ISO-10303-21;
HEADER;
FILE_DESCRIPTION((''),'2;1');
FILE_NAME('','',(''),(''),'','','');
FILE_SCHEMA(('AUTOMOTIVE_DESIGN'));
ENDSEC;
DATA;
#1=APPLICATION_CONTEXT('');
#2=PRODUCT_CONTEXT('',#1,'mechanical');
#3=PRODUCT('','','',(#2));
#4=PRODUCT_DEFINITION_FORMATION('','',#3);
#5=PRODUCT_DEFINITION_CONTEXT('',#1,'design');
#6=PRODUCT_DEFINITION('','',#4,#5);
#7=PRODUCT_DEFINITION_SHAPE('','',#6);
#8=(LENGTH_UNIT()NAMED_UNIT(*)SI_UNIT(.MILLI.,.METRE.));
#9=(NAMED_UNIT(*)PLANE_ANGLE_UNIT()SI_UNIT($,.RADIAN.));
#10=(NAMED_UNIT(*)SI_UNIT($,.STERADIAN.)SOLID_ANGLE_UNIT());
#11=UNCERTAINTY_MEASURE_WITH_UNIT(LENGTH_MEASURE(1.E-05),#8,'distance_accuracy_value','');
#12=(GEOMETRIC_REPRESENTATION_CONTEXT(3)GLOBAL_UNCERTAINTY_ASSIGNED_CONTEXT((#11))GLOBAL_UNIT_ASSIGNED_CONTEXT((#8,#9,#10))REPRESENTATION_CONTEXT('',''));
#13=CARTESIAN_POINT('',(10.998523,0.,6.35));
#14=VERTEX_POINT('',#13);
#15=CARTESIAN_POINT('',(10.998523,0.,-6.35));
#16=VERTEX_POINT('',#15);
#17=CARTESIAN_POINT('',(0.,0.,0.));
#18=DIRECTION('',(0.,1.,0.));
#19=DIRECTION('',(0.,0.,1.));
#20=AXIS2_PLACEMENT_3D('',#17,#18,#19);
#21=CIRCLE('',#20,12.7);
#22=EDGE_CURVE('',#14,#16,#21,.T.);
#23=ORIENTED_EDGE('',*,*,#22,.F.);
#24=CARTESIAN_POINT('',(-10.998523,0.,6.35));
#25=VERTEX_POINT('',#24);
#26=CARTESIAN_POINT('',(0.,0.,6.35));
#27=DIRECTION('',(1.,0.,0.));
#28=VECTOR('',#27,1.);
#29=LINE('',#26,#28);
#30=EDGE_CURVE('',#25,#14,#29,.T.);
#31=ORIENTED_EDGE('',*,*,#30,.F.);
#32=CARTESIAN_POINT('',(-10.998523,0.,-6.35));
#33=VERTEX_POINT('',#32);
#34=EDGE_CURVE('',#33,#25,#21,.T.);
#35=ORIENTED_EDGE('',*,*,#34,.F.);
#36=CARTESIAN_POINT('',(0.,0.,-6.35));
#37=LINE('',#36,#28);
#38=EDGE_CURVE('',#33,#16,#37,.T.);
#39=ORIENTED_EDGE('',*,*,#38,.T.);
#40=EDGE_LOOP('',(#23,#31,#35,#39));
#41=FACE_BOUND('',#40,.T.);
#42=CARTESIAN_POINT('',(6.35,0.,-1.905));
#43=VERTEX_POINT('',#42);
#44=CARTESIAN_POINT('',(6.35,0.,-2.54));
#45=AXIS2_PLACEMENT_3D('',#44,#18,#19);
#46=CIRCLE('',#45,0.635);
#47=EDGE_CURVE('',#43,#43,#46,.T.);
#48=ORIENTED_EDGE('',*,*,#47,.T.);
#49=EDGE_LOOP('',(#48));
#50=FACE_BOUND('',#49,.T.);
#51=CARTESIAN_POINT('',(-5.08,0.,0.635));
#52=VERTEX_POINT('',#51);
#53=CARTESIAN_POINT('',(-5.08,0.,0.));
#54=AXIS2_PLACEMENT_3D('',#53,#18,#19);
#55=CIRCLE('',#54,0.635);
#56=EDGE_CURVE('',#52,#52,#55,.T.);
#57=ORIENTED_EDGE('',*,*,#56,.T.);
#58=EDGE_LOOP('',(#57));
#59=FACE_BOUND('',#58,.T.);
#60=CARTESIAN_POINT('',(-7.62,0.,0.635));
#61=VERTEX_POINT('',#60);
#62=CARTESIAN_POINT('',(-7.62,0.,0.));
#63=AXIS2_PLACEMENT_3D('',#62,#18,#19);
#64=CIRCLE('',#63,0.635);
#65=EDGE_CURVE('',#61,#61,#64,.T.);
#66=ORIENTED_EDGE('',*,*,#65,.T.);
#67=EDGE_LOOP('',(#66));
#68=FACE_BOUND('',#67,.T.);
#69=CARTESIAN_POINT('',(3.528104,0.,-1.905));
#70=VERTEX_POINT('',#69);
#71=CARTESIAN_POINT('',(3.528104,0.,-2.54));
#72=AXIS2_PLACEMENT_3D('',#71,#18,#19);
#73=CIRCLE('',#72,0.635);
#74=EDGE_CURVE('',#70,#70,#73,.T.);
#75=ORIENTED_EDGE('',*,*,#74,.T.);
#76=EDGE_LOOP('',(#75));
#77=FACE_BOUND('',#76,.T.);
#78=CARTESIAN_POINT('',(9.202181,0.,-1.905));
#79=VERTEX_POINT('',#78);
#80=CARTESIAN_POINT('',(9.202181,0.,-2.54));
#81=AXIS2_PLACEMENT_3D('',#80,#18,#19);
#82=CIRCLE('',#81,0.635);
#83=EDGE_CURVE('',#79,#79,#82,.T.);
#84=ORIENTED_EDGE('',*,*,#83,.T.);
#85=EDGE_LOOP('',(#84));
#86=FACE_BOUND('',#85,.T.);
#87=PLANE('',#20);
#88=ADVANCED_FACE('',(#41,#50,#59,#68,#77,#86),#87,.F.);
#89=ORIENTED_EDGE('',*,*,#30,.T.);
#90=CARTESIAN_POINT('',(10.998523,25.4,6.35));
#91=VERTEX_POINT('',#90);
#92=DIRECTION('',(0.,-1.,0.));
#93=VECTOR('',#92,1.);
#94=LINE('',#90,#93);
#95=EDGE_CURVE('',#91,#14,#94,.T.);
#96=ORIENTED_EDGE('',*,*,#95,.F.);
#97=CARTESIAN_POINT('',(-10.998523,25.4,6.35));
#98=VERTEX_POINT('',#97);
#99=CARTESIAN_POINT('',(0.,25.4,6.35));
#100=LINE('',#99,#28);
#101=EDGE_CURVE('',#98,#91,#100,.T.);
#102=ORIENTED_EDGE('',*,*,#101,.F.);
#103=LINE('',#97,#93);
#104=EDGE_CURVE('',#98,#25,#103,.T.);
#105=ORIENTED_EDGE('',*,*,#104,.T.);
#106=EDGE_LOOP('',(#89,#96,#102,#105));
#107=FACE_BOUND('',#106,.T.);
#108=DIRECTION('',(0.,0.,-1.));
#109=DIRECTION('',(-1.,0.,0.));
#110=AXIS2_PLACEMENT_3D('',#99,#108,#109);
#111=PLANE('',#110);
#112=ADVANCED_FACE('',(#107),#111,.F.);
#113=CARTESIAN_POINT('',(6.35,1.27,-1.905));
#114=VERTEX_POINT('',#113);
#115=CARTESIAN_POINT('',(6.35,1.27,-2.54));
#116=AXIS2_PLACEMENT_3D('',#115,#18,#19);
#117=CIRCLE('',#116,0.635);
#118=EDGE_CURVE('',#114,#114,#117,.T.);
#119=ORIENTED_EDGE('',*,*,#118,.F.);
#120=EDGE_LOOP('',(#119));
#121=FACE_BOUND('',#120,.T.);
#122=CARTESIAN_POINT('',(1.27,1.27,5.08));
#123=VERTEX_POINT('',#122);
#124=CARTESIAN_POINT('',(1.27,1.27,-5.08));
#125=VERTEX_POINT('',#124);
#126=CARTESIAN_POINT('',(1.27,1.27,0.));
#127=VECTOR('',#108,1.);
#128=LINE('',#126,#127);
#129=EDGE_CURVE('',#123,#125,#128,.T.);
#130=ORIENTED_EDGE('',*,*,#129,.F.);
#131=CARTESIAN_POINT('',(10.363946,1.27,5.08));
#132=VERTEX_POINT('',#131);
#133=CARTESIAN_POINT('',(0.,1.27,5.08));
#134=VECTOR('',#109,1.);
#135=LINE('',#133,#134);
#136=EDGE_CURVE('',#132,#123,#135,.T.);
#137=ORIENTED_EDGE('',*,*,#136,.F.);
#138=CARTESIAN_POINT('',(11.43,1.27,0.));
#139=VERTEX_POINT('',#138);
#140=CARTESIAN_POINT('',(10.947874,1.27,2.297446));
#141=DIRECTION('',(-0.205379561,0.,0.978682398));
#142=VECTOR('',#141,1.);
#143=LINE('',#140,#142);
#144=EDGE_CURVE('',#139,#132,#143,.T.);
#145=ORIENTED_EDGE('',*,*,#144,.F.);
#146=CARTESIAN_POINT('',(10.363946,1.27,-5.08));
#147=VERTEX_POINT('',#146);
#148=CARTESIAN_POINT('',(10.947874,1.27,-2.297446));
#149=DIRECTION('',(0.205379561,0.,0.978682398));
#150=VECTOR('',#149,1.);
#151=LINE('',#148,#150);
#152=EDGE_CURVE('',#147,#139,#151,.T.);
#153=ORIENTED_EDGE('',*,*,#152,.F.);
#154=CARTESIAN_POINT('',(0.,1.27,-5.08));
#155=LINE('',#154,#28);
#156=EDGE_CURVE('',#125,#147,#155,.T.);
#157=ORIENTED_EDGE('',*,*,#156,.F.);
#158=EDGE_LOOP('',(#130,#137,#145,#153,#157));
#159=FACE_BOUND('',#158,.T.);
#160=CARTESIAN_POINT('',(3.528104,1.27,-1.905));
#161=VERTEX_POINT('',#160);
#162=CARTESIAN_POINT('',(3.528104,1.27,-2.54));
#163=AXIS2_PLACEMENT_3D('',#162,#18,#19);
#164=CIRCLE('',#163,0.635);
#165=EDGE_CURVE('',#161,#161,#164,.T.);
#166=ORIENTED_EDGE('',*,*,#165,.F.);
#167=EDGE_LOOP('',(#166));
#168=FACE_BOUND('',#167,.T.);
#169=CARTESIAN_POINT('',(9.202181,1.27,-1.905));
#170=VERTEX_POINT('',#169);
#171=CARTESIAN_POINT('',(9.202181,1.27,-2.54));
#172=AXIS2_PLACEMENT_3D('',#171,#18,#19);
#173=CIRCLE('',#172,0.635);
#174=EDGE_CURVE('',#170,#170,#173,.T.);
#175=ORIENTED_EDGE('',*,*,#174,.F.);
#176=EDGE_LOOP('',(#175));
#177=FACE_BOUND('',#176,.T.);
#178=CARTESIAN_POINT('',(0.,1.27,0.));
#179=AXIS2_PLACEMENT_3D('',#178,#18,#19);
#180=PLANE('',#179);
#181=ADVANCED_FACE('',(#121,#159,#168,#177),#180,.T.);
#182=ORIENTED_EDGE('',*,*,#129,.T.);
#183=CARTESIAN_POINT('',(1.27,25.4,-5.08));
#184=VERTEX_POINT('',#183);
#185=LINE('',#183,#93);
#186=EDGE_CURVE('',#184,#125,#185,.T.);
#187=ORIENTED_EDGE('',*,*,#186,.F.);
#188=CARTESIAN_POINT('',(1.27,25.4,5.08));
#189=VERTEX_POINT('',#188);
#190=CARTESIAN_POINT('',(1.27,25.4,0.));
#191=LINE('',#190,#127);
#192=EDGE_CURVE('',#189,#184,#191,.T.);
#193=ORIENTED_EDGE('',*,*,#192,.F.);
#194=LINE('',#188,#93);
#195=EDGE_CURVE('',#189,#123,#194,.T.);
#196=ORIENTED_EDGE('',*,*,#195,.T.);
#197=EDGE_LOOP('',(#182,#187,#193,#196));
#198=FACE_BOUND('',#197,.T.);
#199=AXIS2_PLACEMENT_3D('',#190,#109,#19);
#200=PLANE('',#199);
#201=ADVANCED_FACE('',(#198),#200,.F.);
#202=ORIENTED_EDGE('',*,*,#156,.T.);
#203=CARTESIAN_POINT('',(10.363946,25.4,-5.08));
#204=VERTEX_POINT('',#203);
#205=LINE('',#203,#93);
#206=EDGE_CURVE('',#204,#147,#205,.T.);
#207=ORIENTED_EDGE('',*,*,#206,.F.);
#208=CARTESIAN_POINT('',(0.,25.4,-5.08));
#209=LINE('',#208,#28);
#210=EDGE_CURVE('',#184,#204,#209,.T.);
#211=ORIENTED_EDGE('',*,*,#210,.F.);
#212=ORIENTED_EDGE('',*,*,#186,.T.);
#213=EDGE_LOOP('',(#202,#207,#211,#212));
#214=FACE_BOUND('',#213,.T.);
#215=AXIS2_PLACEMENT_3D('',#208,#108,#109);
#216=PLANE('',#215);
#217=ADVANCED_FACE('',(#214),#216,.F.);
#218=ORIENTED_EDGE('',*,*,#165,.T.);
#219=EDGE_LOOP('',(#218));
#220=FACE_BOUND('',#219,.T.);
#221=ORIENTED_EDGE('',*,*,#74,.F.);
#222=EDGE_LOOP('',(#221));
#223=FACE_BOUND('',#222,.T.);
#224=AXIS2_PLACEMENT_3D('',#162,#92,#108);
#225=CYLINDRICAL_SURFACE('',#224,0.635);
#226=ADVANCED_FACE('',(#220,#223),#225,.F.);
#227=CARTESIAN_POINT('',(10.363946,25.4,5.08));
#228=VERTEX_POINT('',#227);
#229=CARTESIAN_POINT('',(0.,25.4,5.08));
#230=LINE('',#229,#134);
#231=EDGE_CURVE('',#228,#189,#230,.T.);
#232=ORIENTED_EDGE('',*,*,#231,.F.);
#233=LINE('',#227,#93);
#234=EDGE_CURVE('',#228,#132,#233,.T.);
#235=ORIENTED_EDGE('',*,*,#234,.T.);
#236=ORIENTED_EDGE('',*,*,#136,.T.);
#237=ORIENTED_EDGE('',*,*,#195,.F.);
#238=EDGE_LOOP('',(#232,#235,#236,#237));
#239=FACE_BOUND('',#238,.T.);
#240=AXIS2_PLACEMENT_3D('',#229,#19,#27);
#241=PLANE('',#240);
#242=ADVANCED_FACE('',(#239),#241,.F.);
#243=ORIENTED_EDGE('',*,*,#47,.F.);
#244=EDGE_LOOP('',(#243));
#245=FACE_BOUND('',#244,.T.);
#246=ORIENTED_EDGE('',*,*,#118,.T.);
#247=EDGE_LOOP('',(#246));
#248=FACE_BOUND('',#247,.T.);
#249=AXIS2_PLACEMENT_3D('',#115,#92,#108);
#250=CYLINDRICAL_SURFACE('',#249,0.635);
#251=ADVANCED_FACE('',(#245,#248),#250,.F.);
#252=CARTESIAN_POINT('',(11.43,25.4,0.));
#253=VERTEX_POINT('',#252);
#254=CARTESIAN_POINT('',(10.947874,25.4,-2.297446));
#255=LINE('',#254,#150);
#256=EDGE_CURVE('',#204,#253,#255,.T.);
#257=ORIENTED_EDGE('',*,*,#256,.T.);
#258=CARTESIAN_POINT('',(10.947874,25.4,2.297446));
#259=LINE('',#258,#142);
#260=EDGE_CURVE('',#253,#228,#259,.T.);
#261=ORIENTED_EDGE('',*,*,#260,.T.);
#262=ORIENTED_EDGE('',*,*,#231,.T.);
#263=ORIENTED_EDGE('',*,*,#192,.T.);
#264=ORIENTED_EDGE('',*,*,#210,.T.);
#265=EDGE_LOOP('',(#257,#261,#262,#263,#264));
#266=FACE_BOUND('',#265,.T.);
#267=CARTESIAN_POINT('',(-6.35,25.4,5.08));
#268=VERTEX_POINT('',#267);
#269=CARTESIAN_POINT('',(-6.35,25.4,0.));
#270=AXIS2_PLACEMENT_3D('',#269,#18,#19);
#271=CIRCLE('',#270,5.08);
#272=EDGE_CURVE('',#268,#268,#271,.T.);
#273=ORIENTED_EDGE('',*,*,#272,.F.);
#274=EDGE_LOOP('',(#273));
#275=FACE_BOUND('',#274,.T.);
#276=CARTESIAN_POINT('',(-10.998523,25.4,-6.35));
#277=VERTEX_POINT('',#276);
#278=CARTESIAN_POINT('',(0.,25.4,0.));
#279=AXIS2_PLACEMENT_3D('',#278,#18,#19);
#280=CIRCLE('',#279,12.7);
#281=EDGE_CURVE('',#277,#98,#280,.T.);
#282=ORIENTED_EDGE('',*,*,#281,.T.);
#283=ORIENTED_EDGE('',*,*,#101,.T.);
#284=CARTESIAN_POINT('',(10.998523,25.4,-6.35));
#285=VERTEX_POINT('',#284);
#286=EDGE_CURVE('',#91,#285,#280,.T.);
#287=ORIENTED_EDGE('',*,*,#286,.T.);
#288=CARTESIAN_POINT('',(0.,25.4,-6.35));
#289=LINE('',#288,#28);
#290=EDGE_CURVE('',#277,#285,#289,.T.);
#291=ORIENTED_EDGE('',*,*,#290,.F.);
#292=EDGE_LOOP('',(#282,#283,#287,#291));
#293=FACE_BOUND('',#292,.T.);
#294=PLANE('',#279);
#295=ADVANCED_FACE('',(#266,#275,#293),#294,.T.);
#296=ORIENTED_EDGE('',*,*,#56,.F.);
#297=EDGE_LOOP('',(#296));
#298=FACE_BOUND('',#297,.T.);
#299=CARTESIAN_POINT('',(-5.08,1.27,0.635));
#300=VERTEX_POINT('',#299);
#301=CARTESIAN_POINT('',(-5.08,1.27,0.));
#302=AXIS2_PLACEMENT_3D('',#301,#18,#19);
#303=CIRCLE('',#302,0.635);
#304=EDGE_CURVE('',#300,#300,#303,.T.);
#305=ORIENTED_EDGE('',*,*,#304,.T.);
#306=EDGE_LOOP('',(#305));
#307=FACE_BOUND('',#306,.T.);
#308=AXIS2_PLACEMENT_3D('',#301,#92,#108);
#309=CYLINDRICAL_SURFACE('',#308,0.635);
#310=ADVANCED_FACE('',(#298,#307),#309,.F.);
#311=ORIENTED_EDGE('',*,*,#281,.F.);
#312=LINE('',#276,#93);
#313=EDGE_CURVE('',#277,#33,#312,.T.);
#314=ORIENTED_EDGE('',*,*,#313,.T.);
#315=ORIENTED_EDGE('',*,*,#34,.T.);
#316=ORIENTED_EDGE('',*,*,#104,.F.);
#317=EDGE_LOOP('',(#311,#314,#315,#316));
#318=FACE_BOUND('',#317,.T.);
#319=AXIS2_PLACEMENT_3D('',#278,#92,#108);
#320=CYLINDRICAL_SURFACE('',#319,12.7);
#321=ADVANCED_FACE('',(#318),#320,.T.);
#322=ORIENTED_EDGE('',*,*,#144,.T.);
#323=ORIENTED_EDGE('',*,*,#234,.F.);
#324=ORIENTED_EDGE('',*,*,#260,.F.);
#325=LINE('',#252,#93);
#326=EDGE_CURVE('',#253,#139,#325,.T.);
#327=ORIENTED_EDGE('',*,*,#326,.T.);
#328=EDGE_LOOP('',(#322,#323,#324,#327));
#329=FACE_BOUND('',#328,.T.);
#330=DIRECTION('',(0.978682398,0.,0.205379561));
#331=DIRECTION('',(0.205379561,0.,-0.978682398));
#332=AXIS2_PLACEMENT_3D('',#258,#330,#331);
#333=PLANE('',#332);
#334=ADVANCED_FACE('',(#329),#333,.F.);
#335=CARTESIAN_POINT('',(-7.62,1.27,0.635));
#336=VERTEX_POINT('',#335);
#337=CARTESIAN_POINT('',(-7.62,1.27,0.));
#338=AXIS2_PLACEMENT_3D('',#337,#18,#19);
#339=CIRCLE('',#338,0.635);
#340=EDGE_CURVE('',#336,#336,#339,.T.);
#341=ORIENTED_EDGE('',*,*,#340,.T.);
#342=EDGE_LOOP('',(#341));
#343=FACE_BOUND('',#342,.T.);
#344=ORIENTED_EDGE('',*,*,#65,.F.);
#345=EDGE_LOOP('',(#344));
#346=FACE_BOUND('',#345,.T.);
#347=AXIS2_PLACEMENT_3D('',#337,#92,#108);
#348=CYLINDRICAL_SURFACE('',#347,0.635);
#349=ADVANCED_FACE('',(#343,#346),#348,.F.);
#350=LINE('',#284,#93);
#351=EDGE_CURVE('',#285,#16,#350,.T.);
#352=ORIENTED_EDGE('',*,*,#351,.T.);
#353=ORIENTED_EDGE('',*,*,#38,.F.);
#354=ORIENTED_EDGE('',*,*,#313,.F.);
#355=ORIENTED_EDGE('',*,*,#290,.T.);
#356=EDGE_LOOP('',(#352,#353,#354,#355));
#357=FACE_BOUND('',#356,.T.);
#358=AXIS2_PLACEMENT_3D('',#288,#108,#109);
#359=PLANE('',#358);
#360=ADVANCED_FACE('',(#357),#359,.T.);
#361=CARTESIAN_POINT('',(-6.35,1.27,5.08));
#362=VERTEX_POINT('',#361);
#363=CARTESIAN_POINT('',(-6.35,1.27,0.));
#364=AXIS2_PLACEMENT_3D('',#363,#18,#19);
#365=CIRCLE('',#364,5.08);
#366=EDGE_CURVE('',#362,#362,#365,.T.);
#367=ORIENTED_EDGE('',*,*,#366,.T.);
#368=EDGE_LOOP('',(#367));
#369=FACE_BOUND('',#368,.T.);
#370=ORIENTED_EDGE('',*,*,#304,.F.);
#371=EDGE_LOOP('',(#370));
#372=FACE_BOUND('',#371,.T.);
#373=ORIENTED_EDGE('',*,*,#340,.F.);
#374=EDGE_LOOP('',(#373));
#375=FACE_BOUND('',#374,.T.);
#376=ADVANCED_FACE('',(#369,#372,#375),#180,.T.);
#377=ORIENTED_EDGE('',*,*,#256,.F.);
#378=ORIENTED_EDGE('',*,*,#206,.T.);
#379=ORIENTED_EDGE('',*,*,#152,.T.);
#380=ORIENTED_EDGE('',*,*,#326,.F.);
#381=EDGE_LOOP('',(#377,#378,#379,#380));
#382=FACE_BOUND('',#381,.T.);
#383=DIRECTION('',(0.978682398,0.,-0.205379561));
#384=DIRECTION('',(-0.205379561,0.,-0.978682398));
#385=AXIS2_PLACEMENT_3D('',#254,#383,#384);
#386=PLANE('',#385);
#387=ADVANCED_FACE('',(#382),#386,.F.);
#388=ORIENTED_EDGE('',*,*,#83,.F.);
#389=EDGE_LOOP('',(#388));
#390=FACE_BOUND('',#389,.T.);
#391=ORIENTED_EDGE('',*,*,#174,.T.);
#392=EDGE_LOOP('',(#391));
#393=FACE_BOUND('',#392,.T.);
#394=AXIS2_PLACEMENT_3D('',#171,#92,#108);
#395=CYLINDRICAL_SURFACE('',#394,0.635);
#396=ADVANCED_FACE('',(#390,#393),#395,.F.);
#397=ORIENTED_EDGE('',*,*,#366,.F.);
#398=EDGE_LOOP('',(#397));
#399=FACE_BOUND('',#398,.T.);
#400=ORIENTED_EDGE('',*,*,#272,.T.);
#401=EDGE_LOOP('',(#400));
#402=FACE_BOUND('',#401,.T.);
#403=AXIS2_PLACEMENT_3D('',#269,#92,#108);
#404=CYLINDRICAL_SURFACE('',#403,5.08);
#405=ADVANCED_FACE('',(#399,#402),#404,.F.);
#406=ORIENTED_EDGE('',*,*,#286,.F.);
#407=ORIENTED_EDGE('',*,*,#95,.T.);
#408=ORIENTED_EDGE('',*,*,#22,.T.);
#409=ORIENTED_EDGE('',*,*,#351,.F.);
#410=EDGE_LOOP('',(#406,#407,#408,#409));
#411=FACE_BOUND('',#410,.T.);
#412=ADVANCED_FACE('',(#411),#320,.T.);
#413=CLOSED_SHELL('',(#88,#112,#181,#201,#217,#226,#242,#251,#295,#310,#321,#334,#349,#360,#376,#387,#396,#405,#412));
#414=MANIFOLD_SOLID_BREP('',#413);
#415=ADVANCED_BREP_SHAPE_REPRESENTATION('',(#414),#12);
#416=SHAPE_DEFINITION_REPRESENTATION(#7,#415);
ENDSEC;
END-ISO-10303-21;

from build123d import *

# Parameters (mm, degrees)
SKETCH1_R           = 5.08
BOSS_EXTRUDE4_DEPTH = 25.4
SKETCH1_9_R         = 0.635
SKETCH1_9_R_2       = 5.08
BOSS_EXTRUDE5_DEPTH = 1.27


with BuildPart() as part:
    # Sketch1 → Boss-Extrude4 (new body)
    with BuildSketch(Plane(origin=(0, 0, 0), x_dir=(1, 0, 0), z_dir=(0, 1, 0))):
        with BuildLine():
            Line((10.998522628, 6.35), (-7.775388174, 6.35))
            Line((-7.775388174, 6.35), (-10.998522628, 6.35))
            ThreePointArc((-10.998522628, 6.35), (-12.7, 0), (-10.998522628, -6.35))
            Line((-10.998522628, -6.35), (10.998522628, -6.35))
            ThreePointArc((10.998522628, -6.35), (12.267257994, -3.287001873), (12.7, 0))
            ThreePointArc((12.7, 0), (12.267257994, 3.287001873), (10.998522628, 6.35))
        make_face()
        with Locations((-6.35, 0)):
            Circle(SKETCH1_R, mode=Mode.SUBTRACT)
        Polygon((1.27, -5.08), (1.27, 0), (1.27, 5.08), (10.363946118, 5.08), (11.43, 0), (10.363946118, -5.08), align=None, mode=Mode.SUBTRACT)
    extrude(amount=BOSS_EXTRUDE4_DEPTH)

    # Sketch1<9> → Boss-Extrude5 (add)
    # profile 1 of 2: a face of its own
    with BuildSketch(Plane(origin=(0, 0, 0), x_dir=(1, 0, 0), z_dir=(0, 1, 0))):
        Polygon((1.27, 5.08), (1.27, -5.08), (10.363946118, -5.08), (11.43, 0), (10.363946118, 5.08), align=None)
        with Locations((3.528103699, 2.54)):
            Circle(SKETCH1_9_R, mode=Mode.SUBTRACT)
        with Locations((6.35, 2.54)):
            Circle(SKETCH1_9_R, mode=Mode.SUBTRACT)
        with Locations((9.202180779, 2.54)):
            Circle(SKETCH1_9_R, mode=Mode.SUBTRACT)
    # profile 2 of 2: a face of its own
    with BuildSketch(Plane(origin=(0, 0, 0), x_dir=(1, 0, 0), z_dir=(0, 1, 0))):
        with Locations((-6.35, 0)):
            Circle(SKETCH1_9_R_2)
        with Locations((-7.62, 0)):
            Circle(SKETCH1_9_R, mode=Mode.SUBTRACT)
        with Locations((-5.08, 0)):
            Circle(SKETCH1_9_R, mode=Mode.SUBTRACT)
    extrude(amount=BOSS_EXTRUDE5_DEPTH)


solid = part.part
